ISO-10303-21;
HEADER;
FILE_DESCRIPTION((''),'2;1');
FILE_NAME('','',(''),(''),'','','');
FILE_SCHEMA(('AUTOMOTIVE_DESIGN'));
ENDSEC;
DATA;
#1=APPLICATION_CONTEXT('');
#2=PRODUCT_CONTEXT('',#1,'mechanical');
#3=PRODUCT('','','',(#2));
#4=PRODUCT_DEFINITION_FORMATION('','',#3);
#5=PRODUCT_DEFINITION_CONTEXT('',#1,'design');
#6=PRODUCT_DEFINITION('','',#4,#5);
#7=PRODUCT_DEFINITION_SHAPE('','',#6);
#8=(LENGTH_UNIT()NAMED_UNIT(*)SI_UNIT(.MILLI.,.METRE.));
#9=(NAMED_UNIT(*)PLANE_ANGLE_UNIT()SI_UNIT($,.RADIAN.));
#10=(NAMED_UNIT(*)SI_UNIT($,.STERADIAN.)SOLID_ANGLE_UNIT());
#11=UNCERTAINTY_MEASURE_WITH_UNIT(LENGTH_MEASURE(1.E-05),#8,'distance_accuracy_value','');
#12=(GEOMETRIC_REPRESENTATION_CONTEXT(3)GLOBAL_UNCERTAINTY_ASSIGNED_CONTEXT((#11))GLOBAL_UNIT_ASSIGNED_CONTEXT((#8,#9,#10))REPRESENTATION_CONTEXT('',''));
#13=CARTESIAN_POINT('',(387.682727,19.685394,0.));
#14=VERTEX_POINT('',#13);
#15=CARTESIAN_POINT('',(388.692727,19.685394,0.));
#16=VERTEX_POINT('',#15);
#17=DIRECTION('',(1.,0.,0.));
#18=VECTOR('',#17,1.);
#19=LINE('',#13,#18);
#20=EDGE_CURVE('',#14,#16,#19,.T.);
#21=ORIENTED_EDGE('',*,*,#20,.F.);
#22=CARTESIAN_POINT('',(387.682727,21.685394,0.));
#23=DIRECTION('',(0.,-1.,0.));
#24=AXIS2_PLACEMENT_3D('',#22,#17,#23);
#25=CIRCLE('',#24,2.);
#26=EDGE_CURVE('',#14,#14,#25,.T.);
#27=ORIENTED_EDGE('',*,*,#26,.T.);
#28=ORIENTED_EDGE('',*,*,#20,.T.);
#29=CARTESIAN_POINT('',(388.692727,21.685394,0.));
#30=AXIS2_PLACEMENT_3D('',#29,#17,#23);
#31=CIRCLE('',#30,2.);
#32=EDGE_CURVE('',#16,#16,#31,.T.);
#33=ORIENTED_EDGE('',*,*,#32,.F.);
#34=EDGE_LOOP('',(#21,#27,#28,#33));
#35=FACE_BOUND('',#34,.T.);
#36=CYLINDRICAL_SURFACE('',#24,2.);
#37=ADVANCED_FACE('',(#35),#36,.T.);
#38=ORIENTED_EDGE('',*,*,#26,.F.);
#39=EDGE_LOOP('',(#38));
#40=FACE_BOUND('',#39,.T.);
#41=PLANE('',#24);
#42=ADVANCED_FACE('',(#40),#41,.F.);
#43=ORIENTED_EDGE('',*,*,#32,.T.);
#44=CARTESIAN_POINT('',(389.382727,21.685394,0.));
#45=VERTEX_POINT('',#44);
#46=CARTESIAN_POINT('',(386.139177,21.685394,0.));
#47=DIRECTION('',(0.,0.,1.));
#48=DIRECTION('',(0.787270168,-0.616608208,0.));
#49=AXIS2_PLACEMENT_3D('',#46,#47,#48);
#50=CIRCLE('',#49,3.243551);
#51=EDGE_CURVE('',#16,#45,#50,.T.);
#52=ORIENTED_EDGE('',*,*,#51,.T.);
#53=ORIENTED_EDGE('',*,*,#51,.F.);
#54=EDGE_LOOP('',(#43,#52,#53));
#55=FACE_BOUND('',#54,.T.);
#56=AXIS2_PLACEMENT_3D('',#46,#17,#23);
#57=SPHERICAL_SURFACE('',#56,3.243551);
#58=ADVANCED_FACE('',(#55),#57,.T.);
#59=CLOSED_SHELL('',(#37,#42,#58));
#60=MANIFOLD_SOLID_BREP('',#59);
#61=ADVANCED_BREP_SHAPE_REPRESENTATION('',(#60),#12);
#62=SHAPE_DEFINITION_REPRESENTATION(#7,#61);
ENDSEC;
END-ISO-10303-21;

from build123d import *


with BuildPart() as part:
    # 草图1 → 旋转1 (revolve)
    with BuildSketch(Plane.XY, mode=Mode.PRIVATE) as revolve_1_sk:
        with BuildLine():
            Line((389.382727225, 21.685394236), (387.682727225, 21.685394236))
            Line((387.682727225, 21.685394236), (387.682727225, 23.685394236))
            Line((387.682727225, 23.685394236), (388.692727225, 23.685394236))
            ThreePointArc((388.692727225, 23.685394236), (389.205378761, 22.743234016), (389.382727225, 21.685394236))
        make_face()
    revolve(revolve_1_sk.sketch.rotate(Axis((387.335476666, 21.685394236, 0), (1, 0, 0)), 180), axis=Axis((387.335476666, 21.685394236, 0), (1, 0, 0)))  # turned: the seam where the file's is


solid = part.part
